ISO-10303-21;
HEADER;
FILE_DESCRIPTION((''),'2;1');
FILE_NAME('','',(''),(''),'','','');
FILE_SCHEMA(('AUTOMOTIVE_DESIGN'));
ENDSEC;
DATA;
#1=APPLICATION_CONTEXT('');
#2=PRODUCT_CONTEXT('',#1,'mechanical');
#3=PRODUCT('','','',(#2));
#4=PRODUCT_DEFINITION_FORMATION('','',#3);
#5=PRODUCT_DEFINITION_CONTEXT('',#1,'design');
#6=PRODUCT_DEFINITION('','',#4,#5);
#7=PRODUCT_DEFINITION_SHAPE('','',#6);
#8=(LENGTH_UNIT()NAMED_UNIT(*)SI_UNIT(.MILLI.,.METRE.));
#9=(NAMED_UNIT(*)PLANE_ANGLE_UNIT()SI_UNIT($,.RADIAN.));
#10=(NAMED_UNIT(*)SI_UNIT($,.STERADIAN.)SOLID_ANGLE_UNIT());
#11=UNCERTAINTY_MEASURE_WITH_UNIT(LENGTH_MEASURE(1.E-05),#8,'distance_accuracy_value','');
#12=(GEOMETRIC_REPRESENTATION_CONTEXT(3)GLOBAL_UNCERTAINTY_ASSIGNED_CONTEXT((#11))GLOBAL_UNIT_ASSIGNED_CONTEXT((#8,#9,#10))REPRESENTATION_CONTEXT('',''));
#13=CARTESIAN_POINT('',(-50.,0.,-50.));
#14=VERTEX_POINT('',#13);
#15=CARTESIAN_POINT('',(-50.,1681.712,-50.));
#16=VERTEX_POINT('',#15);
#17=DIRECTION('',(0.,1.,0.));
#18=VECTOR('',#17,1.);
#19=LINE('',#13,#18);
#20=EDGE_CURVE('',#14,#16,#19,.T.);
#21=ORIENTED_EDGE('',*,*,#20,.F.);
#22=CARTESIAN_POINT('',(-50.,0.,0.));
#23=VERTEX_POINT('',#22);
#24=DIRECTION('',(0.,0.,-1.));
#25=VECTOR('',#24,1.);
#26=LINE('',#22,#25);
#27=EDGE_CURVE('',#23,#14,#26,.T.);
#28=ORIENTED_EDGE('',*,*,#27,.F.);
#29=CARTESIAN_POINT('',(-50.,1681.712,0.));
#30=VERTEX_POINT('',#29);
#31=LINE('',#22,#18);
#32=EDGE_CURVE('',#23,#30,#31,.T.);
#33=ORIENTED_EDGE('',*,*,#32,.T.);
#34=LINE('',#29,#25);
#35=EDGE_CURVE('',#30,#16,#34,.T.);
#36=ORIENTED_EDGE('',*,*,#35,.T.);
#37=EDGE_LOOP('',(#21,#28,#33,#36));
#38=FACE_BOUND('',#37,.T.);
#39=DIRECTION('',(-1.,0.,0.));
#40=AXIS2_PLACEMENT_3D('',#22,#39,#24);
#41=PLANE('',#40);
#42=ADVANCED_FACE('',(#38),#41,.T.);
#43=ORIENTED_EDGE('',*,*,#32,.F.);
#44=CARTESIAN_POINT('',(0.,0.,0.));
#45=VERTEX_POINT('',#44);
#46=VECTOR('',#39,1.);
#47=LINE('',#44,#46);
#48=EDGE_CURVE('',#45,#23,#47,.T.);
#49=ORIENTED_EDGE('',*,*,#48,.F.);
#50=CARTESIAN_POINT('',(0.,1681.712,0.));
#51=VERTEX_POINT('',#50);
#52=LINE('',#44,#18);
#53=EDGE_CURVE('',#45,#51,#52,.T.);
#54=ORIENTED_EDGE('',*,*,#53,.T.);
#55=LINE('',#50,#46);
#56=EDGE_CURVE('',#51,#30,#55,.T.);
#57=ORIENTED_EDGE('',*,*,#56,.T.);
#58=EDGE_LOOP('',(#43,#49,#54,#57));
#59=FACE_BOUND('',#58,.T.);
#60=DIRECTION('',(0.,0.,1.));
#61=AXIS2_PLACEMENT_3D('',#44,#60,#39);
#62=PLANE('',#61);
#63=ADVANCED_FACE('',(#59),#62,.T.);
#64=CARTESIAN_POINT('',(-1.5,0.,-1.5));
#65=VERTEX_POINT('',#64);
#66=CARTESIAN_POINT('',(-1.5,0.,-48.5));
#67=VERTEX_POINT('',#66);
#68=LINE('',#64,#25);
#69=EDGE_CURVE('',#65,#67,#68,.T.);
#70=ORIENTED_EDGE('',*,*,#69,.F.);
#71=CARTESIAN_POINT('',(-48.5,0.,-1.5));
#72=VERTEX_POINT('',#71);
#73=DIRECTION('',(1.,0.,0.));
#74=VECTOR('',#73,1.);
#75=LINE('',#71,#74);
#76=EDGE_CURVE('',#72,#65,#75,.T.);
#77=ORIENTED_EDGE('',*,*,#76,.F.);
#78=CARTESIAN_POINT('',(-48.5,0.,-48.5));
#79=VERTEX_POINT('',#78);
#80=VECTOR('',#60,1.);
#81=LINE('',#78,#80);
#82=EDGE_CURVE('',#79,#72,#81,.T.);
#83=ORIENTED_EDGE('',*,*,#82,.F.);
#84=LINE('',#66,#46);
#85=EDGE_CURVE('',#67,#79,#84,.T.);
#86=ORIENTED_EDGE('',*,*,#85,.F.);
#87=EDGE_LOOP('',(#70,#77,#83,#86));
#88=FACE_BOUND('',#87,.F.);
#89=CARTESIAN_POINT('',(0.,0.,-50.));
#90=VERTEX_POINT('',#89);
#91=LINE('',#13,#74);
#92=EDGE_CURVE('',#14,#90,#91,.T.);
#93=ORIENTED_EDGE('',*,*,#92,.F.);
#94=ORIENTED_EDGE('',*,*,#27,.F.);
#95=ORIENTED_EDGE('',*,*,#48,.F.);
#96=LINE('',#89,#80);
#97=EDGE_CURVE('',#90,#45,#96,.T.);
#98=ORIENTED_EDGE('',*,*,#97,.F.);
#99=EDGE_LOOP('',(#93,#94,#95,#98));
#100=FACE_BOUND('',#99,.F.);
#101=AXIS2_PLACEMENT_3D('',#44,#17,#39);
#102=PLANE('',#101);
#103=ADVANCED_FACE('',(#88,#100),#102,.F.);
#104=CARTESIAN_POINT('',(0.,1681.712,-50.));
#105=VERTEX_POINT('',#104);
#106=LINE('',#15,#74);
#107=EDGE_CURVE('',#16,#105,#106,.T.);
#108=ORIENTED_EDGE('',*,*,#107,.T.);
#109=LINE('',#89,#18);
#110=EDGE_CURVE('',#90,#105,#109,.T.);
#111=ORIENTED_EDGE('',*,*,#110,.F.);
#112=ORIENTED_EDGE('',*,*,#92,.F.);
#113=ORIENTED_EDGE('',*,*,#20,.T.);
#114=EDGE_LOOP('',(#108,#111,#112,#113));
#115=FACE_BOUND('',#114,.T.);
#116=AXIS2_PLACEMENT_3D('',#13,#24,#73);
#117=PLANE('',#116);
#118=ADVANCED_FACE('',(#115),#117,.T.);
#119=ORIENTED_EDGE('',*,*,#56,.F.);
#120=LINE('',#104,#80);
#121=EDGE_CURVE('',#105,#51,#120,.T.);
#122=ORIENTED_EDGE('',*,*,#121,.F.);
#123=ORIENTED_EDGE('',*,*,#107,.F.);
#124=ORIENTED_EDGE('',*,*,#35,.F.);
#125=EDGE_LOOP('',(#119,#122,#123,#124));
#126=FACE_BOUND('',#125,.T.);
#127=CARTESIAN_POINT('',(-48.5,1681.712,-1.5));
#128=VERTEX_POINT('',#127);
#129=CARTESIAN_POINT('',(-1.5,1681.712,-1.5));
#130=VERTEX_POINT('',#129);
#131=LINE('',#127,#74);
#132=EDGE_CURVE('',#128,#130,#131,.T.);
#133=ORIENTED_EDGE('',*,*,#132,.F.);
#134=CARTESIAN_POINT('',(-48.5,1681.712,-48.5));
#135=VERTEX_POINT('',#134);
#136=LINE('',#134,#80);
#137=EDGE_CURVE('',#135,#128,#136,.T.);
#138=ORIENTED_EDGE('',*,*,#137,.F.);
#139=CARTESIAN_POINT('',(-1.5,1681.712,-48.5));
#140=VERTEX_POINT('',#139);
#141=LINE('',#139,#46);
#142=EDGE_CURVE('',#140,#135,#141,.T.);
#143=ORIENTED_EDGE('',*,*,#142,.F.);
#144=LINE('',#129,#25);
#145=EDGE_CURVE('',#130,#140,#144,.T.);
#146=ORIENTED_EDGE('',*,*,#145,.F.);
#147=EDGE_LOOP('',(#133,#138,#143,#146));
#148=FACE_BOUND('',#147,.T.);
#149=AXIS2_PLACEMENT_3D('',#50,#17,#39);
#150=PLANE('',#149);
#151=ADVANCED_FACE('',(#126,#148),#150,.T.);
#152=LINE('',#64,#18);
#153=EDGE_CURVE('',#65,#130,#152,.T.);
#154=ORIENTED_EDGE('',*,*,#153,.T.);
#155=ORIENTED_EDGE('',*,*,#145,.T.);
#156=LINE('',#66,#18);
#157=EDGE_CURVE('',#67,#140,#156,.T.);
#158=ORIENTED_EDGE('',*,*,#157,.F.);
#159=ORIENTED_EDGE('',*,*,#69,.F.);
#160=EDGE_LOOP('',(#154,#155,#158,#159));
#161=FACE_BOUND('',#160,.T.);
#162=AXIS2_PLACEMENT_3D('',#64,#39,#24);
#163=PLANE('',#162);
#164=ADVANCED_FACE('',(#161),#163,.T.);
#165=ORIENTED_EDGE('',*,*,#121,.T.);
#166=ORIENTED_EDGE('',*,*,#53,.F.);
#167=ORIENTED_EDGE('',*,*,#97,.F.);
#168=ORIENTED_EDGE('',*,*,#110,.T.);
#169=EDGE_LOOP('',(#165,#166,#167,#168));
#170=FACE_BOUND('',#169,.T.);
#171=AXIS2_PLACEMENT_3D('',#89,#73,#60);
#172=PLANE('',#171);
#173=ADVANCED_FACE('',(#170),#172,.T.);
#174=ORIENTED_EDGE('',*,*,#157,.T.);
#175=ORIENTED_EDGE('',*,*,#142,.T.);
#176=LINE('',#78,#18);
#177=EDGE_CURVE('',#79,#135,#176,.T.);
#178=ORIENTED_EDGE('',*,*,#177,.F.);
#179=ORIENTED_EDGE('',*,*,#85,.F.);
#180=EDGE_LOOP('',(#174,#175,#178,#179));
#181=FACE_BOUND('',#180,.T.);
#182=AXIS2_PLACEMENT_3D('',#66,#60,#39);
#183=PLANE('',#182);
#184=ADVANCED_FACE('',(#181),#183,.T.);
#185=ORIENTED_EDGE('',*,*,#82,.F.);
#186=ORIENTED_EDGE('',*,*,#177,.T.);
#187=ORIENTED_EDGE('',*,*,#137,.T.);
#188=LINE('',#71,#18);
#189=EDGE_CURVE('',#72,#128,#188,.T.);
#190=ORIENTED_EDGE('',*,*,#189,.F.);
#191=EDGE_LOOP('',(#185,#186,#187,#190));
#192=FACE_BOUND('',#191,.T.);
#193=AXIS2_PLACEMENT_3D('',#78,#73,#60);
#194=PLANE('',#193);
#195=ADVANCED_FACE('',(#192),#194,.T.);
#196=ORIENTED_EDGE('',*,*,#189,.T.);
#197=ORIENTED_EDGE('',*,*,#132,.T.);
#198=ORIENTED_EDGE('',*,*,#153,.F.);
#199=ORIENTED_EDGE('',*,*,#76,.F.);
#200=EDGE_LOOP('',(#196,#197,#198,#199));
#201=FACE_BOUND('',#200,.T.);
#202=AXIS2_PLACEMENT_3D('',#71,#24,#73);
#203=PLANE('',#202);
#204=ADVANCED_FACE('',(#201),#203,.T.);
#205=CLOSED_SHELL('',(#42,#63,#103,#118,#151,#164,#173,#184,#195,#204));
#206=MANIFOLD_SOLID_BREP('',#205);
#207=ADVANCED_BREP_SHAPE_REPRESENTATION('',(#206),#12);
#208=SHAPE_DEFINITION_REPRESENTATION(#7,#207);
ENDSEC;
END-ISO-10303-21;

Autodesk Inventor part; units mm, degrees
ref_plane "YZ Plane" through (0, 0, 0) normal (1, 0, 0) x (0, 1, 0)
ref_plane "XZ Plane" through (0, 0, 0) normal (0, 1, 0) x (-1, 0, 0)
ref_plane "XY Plane" through (0, 0, 0) normal (0, 0, 1) x (1, 0, 0)
sketch "Boceto1" plane through (0, 0, 0) normal (0, 1, 0) x (-1, 0, 0)
  line L0 (0, 0) -> (50, 0)
  line L1 (50, 0) -> (50, -50)
  line L2 (50, -50) -> (0, -50)
  line L3 (0, -50) -> (0, 0)
  line L4 (1.5, -48.5) -> (48.5, -48.5)
  line L5 (48.5, -48.5) -> (48.5, -1.5)
  line L6 (48.5, -1.5) -> (1.5, -1.5)
  line L7 (1.5, -1.5) -> (1.5, -48.5)
  line L8 (1.5, -48.5) -> (48.5, -1.5) construction
  line L9 (48.5, -48.5) -> (1.5, -1.5) construction
  point P0 (25, -25)
  dimension "d0" = 50
  dimension "d1" = 50
  dimension "d6" = 1.5
  dimension "d7" = 1.5
  dimension "d8" = 1.5
  dimension "d9" = 1.5
extrude "Extrusión1" add sketch "Boceto1" along normal blind 1681.712
equation "\"d0\" = d1"
equation "\"d7\" = d6"
equation "\"d8\" = d6"
equation "\"d9\" = d6"
properties part number "Mesa_soporte2"
